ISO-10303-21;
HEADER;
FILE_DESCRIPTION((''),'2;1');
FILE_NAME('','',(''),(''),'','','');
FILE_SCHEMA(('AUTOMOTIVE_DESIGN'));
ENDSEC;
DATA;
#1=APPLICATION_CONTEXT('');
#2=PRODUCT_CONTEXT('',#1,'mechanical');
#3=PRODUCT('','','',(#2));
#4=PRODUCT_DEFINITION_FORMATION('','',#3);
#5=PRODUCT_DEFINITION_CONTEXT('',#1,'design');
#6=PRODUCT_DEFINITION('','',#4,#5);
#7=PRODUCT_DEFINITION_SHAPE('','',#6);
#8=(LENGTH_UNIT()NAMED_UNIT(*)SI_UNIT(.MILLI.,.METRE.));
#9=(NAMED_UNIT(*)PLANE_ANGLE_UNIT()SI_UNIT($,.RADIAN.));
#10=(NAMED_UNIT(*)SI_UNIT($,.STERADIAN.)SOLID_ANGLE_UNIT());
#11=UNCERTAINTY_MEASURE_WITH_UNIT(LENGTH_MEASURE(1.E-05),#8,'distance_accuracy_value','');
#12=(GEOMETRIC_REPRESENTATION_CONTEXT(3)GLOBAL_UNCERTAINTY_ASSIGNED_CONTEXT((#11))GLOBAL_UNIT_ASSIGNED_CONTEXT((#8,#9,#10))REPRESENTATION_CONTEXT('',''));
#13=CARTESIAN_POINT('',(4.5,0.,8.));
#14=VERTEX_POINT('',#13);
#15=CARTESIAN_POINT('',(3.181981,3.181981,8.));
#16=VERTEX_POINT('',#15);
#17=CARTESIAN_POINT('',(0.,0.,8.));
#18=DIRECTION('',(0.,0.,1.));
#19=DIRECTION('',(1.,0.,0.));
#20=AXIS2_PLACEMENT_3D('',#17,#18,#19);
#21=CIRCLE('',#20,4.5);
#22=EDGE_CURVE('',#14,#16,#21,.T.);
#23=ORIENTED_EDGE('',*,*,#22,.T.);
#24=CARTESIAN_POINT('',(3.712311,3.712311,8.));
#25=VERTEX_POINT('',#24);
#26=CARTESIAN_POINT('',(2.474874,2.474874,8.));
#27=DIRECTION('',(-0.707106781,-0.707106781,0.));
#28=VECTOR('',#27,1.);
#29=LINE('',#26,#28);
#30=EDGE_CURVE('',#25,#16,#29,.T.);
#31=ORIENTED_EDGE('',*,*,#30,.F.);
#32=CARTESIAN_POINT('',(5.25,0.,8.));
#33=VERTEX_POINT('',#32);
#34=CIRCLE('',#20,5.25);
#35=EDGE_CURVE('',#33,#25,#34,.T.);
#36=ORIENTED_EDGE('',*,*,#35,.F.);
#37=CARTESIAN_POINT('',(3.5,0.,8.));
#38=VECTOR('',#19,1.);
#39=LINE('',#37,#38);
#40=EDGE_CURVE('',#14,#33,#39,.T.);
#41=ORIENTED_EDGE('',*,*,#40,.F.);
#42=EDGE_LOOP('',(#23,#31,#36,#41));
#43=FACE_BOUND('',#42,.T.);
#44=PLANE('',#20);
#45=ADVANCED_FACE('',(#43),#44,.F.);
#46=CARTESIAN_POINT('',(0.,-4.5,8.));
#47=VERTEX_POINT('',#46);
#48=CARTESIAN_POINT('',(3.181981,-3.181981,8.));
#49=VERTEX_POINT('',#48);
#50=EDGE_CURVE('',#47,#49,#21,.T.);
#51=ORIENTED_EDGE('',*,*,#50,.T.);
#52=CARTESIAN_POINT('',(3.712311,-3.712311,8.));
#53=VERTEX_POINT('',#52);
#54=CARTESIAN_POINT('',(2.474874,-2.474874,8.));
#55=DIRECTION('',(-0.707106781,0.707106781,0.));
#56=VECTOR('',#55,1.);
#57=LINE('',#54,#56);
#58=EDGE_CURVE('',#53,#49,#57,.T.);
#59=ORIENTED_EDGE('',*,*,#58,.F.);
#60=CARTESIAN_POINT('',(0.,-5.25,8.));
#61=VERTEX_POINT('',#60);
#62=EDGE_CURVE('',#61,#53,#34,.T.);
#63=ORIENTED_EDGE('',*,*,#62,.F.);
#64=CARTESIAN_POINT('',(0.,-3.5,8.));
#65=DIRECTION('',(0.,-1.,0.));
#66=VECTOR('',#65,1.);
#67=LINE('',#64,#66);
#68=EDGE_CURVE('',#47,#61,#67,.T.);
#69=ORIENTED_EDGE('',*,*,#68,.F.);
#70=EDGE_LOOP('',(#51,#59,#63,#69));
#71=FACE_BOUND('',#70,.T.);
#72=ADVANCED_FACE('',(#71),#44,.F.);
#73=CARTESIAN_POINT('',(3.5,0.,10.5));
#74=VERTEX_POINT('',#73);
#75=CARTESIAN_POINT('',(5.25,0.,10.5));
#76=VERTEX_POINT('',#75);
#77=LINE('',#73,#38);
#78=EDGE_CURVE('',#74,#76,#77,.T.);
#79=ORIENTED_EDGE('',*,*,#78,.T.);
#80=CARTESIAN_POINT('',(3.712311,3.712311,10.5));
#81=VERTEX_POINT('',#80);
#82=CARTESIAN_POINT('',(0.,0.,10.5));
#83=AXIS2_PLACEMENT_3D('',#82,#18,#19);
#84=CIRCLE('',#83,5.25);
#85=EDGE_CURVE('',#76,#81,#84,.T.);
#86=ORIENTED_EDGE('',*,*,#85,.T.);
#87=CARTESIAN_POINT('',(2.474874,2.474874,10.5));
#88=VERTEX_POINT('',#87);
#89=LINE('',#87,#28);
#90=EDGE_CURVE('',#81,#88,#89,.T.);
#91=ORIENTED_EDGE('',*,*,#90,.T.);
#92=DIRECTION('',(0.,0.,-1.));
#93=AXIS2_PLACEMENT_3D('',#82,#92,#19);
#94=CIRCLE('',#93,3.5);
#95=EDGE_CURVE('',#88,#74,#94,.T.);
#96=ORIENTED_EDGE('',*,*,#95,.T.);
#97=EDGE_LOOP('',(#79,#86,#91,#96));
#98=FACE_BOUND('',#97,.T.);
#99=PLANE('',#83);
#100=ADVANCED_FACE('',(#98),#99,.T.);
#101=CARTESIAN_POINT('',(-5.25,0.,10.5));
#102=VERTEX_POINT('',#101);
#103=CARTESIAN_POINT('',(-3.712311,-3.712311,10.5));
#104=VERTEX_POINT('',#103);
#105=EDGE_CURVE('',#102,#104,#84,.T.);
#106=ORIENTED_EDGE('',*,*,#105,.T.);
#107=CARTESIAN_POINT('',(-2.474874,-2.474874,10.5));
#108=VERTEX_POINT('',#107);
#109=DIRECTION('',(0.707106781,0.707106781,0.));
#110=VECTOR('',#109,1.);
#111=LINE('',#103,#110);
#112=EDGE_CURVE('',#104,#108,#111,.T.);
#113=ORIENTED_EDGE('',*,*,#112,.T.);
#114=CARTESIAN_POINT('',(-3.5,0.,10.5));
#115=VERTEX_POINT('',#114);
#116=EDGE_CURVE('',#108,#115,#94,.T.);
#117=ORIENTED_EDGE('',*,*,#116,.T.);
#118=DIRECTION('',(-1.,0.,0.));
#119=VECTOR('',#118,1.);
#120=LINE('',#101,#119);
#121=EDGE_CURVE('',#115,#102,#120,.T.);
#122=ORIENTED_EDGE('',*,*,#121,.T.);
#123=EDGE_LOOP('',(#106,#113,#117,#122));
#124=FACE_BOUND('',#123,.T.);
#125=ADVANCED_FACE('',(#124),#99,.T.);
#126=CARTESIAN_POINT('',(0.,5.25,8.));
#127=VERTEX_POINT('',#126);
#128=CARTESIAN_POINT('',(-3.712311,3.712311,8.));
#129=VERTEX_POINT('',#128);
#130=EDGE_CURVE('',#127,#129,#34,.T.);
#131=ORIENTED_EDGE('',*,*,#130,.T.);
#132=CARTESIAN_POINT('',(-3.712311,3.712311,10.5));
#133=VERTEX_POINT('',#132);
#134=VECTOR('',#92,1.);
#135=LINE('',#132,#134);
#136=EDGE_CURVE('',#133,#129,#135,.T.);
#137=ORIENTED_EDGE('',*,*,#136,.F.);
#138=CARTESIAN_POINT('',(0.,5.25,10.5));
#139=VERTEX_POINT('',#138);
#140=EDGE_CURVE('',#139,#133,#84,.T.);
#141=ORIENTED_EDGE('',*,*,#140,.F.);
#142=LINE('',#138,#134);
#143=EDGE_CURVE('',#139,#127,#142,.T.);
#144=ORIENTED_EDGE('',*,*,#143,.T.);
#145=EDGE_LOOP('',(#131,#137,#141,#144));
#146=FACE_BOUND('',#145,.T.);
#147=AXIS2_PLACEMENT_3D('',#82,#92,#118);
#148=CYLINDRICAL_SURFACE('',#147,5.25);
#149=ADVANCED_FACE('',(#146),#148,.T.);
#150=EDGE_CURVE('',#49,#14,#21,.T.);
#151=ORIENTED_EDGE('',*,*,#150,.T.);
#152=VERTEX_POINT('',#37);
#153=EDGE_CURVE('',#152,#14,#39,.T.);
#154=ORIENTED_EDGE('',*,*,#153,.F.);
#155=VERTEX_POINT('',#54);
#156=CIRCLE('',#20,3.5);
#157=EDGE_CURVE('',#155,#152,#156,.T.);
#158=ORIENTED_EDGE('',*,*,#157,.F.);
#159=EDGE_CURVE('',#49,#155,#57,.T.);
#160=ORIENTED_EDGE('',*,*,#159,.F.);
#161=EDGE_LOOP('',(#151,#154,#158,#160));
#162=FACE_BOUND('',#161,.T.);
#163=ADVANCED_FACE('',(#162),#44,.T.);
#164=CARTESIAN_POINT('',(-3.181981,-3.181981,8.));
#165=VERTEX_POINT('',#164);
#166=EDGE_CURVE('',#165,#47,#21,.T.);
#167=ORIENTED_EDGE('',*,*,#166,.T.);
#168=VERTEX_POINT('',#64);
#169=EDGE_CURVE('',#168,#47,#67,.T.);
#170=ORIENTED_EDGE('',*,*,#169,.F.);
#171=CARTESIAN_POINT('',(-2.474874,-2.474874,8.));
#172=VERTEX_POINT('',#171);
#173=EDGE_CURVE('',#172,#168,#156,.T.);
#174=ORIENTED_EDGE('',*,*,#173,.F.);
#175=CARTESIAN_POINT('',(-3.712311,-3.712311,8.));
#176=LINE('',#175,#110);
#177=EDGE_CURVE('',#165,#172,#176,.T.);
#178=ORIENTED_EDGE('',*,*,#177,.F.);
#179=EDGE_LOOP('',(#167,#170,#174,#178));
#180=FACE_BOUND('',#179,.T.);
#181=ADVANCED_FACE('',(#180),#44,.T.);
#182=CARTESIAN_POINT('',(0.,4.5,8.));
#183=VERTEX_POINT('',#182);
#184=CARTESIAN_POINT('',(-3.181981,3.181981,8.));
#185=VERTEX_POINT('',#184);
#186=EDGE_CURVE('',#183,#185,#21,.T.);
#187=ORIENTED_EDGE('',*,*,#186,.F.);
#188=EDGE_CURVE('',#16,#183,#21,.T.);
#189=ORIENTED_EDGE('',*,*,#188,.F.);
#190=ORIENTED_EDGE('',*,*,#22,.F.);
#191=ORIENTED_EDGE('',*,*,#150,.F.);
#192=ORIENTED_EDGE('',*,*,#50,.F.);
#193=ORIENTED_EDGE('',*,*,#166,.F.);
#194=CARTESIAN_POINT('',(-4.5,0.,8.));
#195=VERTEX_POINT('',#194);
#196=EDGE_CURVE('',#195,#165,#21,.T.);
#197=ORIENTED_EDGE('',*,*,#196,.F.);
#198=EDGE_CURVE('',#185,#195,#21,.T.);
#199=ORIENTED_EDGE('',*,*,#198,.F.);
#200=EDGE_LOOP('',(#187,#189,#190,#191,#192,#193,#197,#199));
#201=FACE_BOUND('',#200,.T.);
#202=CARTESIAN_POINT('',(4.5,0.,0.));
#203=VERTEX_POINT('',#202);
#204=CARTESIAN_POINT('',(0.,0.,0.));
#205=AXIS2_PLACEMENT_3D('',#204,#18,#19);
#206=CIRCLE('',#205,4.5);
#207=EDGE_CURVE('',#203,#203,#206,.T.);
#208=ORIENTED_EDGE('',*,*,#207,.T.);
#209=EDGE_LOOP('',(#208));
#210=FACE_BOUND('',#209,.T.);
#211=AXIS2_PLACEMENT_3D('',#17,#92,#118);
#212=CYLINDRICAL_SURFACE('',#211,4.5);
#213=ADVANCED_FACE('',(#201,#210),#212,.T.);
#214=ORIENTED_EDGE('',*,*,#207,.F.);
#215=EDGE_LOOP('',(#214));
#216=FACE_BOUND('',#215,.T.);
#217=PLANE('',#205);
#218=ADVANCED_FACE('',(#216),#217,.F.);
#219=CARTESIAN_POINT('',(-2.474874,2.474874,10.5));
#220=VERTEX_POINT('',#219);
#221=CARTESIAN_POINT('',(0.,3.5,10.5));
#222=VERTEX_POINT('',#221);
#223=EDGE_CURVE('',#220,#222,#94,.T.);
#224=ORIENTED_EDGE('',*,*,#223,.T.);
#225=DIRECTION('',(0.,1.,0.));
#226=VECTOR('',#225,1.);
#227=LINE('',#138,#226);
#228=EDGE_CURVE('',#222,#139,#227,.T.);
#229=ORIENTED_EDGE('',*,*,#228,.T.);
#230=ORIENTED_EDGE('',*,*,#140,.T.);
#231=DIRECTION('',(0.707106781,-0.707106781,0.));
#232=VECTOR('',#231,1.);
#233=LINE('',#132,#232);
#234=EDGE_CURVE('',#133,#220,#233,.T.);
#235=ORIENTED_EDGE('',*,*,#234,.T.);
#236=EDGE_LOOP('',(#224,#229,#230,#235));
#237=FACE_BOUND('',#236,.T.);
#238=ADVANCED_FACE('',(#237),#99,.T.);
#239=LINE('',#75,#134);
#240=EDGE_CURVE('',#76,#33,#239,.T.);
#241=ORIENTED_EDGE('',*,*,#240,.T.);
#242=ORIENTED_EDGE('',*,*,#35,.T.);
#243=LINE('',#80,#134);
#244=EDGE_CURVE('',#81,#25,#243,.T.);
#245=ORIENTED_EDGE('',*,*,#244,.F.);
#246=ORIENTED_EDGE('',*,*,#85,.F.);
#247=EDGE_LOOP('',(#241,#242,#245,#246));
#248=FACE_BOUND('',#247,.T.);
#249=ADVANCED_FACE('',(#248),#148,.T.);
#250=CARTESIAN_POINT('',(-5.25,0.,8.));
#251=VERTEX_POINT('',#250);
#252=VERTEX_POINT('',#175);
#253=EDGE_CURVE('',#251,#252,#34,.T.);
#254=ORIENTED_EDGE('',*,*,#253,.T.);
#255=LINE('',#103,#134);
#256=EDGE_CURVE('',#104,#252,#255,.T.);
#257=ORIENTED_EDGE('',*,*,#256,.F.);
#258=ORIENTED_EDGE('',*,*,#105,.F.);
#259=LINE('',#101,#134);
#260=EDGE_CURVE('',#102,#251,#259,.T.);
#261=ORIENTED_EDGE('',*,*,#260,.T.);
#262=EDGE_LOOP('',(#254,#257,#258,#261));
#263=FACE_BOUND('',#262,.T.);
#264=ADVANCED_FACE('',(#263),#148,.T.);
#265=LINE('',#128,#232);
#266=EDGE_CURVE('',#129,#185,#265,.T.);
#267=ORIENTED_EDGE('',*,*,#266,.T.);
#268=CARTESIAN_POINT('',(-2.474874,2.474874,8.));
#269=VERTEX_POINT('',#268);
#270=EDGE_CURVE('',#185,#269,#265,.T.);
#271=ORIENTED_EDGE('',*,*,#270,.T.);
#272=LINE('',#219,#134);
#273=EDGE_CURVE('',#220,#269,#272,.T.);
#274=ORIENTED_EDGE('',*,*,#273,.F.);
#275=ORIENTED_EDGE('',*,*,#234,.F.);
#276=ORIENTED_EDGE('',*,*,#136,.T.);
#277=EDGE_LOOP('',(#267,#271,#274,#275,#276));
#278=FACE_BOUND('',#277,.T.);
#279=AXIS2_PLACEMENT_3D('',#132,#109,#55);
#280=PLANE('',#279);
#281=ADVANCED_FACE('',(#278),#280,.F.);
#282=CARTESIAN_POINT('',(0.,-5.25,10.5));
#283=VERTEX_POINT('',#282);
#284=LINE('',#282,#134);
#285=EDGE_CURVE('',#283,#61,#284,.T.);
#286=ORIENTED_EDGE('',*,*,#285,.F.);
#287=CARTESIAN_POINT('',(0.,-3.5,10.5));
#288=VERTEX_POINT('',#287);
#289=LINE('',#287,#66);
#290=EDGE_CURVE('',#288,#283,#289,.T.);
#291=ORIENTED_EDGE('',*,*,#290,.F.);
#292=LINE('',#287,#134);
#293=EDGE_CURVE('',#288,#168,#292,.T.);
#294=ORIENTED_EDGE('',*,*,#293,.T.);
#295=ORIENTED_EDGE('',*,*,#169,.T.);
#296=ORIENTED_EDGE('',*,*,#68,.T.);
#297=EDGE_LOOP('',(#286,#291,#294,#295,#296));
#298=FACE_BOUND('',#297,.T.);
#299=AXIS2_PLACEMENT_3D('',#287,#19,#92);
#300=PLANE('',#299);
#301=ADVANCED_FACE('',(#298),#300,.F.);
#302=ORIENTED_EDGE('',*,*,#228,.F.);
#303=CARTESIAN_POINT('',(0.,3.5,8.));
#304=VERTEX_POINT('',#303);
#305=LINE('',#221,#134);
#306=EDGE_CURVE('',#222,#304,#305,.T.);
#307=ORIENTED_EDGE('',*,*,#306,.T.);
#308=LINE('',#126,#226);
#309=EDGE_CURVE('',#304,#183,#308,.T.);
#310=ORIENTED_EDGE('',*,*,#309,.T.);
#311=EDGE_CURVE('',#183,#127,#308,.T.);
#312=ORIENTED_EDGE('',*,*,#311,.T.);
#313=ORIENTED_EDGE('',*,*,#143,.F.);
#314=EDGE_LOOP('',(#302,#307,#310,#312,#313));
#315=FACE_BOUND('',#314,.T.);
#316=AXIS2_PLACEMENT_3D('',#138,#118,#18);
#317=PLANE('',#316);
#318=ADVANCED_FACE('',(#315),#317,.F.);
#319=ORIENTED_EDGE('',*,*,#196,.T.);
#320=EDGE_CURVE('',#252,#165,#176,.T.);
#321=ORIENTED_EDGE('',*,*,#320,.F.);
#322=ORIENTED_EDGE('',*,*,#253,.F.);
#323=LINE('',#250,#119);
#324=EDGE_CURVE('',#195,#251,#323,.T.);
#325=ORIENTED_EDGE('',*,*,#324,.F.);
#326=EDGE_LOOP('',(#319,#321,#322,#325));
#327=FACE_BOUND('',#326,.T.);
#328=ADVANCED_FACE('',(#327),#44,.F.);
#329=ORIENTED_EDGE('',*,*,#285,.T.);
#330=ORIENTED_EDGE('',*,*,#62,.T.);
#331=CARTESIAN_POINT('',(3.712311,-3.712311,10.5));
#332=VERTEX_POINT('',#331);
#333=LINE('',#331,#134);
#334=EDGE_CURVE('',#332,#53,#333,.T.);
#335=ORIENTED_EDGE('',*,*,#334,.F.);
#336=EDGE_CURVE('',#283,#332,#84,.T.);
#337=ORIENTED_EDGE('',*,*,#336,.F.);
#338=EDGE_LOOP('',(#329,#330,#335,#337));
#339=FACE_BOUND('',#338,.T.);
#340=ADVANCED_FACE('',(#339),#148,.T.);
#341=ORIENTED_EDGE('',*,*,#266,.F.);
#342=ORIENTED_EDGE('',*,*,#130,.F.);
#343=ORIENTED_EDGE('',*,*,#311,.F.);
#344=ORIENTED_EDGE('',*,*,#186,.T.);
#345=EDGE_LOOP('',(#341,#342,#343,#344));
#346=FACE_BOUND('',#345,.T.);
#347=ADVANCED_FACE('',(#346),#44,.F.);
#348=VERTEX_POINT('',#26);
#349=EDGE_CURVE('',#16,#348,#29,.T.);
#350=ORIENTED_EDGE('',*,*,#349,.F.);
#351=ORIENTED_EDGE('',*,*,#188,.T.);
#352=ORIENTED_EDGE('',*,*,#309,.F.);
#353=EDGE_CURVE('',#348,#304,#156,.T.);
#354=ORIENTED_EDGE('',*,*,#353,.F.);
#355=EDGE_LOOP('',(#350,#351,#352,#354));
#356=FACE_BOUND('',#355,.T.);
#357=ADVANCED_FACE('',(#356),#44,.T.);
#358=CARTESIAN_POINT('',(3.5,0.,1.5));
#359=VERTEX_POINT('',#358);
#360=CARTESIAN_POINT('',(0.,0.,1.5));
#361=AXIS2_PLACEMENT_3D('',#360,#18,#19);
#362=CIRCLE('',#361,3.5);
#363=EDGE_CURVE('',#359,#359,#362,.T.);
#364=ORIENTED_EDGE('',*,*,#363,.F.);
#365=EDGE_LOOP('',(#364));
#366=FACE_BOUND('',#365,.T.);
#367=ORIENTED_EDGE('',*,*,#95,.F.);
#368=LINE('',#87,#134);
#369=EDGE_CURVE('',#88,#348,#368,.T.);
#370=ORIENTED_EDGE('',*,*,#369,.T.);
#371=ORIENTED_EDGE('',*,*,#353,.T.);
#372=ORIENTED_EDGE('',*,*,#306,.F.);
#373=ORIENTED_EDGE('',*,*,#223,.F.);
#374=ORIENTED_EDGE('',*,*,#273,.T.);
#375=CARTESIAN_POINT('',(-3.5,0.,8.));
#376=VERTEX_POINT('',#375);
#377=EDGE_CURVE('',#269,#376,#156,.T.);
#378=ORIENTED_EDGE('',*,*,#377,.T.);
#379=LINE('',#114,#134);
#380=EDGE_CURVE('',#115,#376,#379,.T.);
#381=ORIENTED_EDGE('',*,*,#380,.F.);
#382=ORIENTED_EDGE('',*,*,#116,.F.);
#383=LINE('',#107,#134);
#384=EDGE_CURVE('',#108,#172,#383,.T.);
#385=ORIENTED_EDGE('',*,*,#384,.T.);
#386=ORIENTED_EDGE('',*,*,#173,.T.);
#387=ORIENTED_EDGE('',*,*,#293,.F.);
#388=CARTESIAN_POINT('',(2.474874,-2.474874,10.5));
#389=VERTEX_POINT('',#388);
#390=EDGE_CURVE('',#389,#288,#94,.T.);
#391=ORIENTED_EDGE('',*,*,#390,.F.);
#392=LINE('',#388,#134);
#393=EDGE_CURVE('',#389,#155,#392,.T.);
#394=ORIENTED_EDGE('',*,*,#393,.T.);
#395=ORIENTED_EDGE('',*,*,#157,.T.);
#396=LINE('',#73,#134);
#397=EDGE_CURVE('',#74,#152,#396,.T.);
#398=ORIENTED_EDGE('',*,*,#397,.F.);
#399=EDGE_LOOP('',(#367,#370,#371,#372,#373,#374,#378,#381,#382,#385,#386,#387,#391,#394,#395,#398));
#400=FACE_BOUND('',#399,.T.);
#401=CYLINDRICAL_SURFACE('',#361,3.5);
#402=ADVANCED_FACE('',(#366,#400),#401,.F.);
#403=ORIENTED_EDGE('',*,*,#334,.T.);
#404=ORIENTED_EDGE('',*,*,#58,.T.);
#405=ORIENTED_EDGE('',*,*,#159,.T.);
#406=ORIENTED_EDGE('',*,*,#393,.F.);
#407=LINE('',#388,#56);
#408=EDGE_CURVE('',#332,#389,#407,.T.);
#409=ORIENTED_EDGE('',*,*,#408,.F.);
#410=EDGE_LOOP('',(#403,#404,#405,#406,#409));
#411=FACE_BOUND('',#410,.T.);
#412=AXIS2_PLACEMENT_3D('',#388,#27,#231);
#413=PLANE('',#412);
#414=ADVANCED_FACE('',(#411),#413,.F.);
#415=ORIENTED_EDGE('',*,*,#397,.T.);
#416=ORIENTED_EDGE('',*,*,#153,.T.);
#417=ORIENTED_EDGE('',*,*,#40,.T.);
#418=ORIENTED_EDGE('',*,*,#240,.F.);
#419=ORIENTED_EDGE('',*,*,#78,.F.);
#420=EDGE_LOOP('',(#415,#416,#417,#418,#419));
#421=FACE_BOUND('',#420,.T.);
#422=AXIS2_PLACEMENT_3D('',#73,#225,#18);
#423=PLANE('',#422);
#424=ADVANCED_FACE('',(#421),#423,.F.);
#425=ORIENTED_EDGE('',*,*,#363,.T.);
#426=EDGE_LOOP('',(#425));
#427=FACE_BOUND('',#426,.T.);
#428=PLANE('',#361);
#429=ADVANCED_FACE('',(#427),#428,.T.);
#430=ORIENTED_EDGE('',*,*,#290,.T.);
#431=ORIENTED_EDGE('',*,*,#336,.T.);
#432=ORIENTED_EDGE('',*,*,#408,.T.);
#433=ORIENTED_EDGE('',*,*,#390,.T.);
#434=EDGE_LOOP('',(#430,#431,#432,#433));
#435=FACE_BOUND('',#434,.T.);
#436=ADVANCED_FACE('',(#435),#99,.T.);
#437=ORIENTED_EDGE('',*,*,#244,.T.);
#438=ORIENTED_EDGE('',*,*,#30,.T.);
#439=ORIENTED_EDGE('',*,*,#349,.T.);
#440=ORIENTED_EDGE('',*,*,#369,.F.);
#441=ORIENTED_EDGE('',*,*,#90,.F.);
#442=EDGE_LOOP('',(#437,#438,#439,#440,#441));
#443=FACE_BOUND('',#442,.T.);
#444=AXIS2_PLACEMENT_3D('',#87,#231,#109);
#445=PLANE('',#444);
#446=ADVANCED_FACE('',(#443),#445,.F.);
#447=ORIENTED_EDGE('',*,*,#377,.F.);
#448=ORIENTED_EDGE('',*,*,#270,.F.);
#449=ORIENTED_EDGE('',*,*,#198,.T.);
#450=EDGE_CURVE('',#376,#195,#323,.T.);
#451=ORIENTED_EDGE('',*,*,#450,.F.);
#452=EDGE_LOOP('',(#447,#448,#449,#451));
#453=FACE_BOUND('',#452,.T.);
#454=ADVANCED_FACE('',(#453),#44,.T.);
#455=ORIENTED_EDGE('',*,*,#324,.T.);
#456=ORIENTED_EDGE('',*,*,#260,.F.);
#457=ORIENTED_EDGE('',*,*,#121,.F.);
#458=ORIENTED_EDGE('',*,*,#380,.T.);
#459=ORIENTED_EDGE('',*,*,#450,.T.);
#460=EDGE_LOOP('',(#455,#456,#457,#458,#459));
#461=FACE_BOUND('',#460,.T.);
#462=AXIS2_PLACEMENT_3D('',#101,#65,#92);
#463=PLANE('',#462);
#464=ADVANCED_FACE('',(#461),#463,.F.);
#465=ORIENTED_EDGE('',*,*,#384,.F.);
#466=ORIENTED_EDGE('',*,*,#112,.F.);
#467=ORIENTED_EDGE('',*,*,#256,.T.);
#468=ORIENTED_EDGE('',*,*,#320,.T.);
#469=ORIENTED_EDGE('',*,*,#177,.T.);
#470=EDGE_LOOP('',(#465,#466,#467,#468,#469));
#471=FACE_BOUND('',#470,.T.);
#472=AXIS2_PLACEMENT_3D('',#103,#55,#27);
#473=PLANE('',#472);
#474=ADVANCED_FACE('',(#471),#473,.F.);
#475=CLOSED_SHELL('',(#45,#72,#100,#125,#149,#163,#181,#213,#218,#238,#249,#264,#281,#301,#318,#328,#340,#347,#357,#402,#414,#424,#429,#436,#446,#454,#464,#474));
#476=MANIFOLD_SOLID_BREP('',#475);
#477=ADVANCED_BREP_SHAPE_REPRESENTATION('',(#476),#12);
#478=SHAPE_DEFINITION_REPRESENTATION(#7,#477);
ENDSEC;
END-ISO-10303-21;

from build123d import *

# Parameters (mm, degrees)
SKETCH1_R           = 4.5
BOSS_EXTRUDE1_DEPTH = 8
SKETCH2_R           = 3.5
CUT_EXTRUDE1_DEPTH  = 6.5
BOSS_EXTRUDE2_DEPTH = 2.5


with BuildPart() as part:
    # Sketch1 → Boss-Extrude1 (new body)
    with BuildSketch(Plane.XY):
        Circle(SKETCH1_R)
    extrude(amount=BOSS_EXTRUDE1_DEPTH)

    # Sketch2 → Cut-Extrude1 (cut)
    with BuildSketch(Plane.XY.offset(8)):
        Circle(SKETCH2_R)
    extrude(amount=-CUT_EXTRUDE1_DEPTH, mode=Mode.SUBTRACT)

    # Sketch3 → Boss-Extrude2 (add)
    with BuildSketch(Plane.XY.offset(8)):
        with BuildLine():
            Line((0, 5.25), (0, 3.5))
            ThreePointArc((0, 3.5), (-1.339392013, 3.233578364), (-2.474873734, 2.474873734))
            Line((-2.474873734, 2.474873734), (-3.712310601, 3.712310601))
            ThreePointArc((-3.712310601, 3.712310601), (-2.00908802, 4.850367546), (0, 5.25))
        make_face()
        with BuildLine():
            Line((-5.25, 0), (-3.5, 0))
            ThreePointArc((-3.5, 0), (-3.233578364, -1.339392013), (-2.474873734, -2.474873734))
            Line((-2.474873734, -2.474873734), (-3.712310601, -3.712310601))
            ThreePointArc((-3.712310601, -3.712310601), (-4.850367546, -2.00908802), (-5.25, 0))
        make_face()
        with BuildLine():
            Line((2.474873734, 2.474873734), (3.712310601, 3.712310601))
            ThreePointArc((3.712310601, 3.712310601), (4.850367546, 2.00908802), (5.25, 0))
            Line((5.25, 0), (3.5, 0))
            ThreePointArc((3.5, 0), (3.233578364, 1.339392013), (2.474873734, 2.474873734))
        make_face()
        with BuildLine():
            Line((0, -3.5), (0, -5.25))
            ThreePointArc((0, -5.25), (2.00908802, -4.850367546), (3.712310601, -3.712310601))
            Line((3.712310601, -3.712310601), (2.474873734, -2.474873734))
            ThreePointArc((2.474873734, -2.474873734), (1.339392013, -3.233578364), (0, -3.5))
        make_face()
    extrude(amount=BOSS_EXTRUDE2_DEPTH)


solid = part.part
